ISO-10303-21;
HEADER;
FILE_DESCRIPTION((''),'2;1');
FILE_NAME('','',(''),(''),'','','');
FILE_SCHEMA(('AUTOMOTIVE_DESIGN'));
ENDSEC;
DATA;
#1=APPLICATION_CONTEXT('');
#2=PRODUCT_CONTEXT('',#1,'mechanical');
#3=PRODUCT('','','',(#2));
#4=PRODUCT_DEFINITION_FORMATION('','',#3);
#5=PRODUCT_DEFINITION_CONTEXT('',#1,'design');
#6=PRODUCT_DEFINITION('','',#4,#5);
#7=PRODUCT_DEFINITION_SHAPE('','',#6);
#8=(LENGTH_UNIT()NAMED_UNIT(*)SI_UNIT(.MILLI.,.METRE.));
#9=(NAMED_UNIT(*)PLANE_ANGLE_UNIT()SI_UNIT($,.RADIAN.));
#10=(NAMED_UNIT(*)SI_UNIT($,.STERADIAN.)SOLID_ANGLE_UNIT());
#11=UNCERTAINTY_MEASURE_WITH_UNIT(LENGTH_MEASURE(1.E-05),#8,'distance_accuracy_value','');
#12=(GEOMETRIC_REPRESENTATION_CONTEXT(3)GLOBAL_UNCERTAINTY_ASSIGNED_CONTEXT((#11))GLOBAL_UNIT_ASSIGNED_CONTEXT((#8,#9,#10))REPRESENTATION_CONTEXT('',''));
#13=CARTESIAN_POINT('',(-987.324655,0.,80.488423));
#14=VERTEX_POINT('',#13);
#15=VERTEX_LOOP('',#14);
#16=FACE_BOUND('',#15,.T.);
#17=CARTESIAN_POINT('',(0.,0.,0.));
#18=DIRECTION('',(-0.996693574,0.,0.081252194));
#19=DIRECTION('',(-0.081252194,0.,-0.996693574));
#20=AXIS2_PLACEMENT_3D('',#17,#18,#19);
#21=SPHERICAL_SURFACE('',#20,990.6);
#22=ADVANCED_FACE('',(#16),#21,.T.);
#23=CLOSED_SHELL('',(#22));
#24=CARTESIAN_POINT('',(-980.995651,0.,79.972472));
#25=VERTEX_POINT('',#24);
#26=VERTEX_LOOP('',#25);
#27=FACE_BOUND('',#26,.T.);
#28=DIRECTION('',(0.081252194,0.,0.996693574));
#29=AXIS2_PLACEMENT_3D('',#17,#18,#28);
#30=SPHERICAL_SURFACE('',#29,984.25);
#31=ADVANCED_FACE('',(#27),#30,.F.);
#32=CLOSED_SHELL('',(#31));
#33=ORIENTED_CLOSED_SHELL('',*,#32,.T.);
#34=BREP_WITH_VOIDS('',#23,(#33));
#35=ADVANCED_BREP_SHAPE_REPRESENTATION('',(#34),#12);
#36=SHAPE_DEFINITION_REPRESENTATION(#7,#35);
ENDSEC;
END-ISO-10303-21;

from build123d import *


with BuildPart() as part:
    # Sketch2 → Revolve2 (revolve)
    with BuildSketch(Plane(origin=(0, 0, 0), x_dir=(1, 0, 0), z_dir=(0, 1, 0))):
        with BuildLine():
            Line((980.9956505, 79.972471508), (987.324654697, 80.488422937))
            ThreePointArc((987.324654697, 80.488422937), (80.488422937, -987.324654697), (-987.324654697, -80.488422937))
            Line((-987.324654697, -80.488422937), (-980.9956505, -79.972471508))
            ThreePointArc((-980.9956505, -79.972471508), (79.972471508, -980.9956505), (980.9956505, 79.972471508))
        make_face()
    revolve(axis=Axis((-987.324654697, 0, 80.488422937), (0.9966935742956429, 0, -0.08125219355670289)))


solid = part.part
